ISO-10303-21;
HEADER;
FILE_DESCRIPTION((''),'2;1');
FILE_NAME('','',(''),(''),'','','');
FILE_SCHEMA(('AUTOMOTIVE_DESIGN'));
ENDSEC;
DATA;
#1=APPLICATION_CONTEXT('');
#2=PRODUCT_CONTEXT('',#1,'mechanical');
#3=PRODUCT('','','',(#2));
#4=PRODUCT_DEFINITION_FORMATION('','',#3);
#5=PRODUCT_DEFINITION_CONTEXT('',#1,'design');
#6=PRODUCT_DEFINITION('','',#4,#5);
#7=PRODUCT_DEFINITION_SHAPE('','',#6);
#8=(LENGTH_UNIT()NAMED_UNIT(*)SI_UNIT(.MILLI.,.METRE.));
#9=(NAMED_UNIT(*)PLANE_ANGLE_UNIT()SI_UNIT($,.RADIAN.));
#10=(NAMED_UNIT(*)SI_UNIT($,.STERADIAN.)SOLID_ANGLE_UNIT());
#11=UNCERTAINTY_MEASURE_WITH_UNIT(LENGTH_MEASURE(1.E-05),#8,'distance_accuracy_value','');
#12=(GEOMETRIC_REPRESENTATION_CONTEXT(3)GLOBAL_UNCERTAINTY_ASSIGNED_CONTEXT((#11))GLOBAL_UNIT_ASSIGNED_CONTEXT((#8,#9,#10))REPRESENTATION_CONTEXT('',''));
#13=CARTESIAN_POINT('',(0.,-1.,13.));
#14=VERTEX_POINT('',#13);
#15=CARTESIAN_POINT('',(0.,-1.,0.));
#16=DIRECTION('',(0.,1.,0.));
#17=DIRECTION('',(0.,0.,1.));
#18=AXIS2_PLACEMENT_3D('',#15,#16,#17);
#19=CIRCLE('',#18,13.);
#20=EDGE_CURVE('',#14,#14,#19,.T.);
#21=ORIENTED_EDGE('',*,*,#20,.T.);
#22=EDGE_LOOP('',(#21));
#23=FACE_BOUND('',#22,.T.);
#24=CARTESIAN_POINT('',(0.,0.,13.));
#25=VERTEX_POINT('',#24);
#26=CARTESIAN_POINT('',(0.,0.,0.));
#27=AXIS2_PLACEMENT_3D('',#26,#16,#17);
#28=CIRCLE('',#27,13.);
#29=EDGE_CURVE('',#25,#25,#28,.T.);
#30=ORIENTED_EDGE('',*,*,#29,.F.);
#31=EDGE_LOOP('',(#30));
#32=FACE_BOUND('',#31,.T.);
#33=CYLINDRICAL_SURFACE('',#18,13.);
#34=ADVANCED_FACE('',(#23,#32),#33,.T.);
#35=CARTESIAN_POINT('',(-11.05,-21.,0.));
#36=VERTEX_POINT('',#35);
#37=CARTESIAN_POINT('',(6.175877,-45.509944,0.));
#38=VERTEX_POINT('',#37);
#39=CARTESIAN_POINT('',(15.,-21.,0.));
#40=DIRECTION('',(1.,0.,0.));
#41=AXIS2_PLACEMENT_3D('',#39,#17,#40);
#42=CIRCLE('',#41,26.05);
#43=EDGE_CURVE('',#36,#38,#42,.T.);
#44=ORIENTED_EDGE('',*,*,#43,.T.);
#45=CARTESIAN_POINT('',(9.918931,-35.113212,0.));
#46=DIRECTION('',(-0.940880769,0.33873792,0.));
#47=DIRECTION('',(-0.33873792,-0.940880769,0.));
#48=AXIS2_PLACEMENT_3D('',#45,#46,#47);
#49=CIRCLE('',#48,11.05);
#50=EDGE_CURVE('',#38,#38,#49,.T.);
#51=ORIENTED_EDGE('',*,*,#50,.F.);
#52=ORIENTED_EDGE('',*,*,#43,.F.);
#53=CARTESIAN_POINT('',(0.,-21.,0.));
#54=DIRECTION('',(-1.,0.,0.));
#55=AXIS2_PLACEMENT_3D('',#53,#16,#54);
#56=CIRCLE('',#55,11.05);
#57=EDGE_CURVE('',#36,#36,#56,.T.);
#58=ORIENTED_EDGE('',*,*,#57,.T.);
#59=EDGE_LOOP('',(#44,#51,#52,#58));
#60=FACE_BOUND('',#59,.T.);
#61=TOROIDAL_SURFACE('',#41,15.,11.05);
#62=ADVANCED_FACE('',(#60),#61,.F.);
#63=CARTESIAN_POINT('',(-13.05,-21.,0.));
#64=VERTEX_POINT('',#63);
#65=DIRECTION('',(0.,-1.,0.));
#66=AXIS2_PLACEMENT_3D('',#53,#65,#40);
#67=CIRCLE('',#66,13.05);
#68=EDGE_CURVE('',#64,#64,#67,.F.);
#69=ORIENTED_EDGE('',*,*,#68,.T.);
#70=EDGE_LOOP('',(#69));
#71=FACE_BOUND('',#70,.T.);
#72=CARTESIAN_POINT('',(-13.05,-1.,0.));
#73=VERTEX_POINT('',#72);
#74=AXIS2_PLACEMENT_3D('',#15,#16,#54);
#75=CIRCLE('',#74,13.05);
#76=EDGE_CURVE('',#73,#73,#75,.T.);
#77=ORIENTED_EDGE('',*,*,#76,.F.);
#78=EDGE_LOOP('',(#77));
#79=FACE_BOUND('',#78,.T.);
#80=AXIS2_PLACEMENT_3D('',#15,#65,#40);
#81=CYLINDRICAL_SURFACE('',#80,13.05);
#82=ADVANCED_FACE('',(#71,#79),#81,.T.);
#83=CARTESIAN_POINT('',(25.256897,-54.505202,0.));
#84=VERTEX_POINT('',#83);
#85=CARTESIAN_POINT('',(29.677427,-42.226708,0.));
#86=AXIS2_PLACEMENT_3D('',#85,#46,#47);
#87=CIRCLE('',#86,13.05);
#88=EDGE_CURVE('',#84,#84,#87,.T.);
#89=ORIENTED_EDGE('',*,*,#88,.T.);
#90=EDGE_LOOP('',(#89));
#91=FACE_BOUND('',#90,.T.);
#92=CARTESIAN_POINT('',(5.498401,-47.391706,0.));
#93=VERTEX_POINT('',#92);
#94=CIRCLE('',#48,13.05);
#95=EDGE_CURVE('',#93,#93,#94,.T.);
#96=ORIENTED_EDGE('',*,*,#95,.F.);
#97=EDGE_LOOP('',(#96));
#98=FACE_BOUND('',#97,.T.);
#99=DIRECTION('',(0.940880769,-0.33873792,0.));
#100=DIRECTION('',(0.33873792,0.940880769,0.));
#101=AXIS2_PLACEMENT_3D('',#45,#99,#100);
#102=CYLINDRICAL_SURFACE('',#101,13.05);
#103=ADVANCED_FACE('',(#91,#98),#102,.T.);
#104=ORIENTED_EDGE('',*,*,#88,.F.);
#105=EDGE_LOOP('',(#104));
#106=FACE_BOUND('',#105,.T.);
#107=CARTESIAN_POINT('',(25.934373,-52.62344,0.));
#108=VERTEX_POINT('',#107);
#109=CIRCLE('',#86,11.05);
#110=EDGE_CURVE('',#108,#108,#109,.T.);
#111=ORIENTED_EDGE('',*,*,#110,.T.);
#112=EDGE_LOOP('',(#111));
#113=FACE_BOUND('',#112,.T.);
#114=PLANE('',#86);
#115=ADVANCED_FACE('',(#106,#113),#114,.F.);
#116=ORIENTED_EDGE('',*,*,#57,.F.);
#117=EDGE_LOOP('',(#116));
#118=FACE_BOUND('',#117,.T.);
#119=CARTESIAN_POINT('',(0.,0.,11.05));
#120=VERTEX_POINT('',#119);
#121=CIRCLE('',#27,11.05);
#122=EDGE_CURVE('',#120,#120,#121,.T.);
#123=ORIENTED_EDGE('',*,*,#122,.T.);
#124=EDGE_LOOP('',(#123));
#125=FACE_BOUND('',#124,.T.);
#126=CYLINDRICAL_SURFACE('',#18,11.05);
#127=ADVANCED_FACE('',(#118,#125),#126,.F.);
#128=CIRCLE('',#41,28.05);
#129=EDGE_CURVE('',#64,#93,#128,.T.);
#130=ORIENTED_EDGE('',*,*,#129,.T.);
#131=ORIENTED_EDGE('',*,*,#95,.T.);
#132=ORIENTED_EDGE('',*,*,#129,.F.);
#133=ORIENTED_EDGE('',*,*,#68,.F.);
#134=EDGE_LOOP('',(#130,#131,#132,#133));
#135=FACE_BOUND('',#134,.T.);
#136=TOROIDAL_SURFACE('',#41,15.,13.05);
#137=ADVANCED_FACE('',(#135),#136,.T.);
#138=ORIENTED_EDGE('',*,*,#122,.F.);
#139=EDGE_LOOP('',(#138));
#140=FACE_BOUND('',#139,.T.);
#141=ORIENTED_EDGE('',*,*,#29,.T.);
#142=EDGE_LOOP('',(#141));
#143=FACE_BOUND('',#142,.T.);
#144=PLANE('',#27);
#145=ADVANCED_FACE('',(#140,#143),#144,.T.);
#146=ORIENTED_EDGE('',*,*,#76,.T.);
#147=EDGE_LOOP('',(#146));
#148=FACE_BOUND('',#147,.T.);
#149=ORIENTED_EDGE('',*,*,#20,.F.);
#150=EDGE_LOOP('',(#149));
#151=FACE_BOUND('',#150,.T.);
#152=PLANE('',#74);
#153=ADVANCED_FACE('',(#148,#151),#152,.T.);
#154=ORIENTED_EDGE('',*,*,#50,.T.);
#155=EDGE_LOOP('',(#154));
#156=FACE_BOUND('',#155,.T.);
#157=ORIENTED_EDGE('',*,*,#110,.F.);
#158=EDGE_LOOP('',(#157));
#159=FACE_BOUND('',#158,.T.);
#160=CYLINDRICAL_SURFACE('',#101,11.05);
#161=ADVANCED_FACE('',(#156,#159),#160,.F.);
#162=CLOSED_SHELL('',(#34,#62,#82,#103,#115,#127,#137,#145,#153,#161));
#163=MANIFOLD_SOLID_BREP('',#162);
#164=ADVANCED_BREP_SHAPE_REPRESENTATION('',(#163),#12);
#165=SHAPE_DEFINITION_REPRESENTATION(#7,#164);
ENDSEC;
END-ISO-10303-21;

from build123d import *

# Parameters (mm, degrees)
CROQUIS1_R                 = 13
CROQUIS1_R_2               = 11.05
SALIENTE_EXTRUIR1_DEPTH    = 1
BARRER_L_MINA1_PROFILE_R   = 13.05
BARRER_L_MINA1_PROFILE_R_2 = 11.05


with BuildPart() as part:
    # Croquis1 → Saliente-Extruir1 (new body)
    with BuildSketch(Plane(origin=(0, 0, 0), x_dir=(1, 0, 0), z_dir=(0, 1, 0))):
        with Locations(Location((0, 0, 0), (0, 0, 270))):
            Circle(CROQUIS1_R)
        with Locations(Location((0, 0, 0), (0, 0, 270))):
            Circle(CROQUIS1_R_2, mode=Mode.SUBTRACT)
    extrude(amount=-SALIENTE_EXTRUIR1_DEPTH)

    # Barrer-L_mina1: sweep along a path in Croquis2
    with BuildLine(Plane.XY) as barrer_l_mina1_path:
        Line((0, -1), (0, -21))
        ThreePointArc((0, -21), (2.727754239, -29.625078781), (9.918931196, -35.113211534))
        Line((9.918931196, -35.113211534), (29.677427344, -42.226707859))
    # Barrer-L_mina1 profile (on start of the path) → Barrer-L_mina1 (sweep)
    with BuildSketch(Plane(origin=(0, -1, 0), x_dir=(-1, 0, 0), z_dir=(0, -1, 0))):
        Circle(BARRER_L_MINA1_PROFILE_R)
        Circle(BARRER_L_MINA1_PROFILE_R_2, mode=Mode.SUBTRACT)
    sweep(path=barrer_l_mina1_path.line)


solid = part.part
